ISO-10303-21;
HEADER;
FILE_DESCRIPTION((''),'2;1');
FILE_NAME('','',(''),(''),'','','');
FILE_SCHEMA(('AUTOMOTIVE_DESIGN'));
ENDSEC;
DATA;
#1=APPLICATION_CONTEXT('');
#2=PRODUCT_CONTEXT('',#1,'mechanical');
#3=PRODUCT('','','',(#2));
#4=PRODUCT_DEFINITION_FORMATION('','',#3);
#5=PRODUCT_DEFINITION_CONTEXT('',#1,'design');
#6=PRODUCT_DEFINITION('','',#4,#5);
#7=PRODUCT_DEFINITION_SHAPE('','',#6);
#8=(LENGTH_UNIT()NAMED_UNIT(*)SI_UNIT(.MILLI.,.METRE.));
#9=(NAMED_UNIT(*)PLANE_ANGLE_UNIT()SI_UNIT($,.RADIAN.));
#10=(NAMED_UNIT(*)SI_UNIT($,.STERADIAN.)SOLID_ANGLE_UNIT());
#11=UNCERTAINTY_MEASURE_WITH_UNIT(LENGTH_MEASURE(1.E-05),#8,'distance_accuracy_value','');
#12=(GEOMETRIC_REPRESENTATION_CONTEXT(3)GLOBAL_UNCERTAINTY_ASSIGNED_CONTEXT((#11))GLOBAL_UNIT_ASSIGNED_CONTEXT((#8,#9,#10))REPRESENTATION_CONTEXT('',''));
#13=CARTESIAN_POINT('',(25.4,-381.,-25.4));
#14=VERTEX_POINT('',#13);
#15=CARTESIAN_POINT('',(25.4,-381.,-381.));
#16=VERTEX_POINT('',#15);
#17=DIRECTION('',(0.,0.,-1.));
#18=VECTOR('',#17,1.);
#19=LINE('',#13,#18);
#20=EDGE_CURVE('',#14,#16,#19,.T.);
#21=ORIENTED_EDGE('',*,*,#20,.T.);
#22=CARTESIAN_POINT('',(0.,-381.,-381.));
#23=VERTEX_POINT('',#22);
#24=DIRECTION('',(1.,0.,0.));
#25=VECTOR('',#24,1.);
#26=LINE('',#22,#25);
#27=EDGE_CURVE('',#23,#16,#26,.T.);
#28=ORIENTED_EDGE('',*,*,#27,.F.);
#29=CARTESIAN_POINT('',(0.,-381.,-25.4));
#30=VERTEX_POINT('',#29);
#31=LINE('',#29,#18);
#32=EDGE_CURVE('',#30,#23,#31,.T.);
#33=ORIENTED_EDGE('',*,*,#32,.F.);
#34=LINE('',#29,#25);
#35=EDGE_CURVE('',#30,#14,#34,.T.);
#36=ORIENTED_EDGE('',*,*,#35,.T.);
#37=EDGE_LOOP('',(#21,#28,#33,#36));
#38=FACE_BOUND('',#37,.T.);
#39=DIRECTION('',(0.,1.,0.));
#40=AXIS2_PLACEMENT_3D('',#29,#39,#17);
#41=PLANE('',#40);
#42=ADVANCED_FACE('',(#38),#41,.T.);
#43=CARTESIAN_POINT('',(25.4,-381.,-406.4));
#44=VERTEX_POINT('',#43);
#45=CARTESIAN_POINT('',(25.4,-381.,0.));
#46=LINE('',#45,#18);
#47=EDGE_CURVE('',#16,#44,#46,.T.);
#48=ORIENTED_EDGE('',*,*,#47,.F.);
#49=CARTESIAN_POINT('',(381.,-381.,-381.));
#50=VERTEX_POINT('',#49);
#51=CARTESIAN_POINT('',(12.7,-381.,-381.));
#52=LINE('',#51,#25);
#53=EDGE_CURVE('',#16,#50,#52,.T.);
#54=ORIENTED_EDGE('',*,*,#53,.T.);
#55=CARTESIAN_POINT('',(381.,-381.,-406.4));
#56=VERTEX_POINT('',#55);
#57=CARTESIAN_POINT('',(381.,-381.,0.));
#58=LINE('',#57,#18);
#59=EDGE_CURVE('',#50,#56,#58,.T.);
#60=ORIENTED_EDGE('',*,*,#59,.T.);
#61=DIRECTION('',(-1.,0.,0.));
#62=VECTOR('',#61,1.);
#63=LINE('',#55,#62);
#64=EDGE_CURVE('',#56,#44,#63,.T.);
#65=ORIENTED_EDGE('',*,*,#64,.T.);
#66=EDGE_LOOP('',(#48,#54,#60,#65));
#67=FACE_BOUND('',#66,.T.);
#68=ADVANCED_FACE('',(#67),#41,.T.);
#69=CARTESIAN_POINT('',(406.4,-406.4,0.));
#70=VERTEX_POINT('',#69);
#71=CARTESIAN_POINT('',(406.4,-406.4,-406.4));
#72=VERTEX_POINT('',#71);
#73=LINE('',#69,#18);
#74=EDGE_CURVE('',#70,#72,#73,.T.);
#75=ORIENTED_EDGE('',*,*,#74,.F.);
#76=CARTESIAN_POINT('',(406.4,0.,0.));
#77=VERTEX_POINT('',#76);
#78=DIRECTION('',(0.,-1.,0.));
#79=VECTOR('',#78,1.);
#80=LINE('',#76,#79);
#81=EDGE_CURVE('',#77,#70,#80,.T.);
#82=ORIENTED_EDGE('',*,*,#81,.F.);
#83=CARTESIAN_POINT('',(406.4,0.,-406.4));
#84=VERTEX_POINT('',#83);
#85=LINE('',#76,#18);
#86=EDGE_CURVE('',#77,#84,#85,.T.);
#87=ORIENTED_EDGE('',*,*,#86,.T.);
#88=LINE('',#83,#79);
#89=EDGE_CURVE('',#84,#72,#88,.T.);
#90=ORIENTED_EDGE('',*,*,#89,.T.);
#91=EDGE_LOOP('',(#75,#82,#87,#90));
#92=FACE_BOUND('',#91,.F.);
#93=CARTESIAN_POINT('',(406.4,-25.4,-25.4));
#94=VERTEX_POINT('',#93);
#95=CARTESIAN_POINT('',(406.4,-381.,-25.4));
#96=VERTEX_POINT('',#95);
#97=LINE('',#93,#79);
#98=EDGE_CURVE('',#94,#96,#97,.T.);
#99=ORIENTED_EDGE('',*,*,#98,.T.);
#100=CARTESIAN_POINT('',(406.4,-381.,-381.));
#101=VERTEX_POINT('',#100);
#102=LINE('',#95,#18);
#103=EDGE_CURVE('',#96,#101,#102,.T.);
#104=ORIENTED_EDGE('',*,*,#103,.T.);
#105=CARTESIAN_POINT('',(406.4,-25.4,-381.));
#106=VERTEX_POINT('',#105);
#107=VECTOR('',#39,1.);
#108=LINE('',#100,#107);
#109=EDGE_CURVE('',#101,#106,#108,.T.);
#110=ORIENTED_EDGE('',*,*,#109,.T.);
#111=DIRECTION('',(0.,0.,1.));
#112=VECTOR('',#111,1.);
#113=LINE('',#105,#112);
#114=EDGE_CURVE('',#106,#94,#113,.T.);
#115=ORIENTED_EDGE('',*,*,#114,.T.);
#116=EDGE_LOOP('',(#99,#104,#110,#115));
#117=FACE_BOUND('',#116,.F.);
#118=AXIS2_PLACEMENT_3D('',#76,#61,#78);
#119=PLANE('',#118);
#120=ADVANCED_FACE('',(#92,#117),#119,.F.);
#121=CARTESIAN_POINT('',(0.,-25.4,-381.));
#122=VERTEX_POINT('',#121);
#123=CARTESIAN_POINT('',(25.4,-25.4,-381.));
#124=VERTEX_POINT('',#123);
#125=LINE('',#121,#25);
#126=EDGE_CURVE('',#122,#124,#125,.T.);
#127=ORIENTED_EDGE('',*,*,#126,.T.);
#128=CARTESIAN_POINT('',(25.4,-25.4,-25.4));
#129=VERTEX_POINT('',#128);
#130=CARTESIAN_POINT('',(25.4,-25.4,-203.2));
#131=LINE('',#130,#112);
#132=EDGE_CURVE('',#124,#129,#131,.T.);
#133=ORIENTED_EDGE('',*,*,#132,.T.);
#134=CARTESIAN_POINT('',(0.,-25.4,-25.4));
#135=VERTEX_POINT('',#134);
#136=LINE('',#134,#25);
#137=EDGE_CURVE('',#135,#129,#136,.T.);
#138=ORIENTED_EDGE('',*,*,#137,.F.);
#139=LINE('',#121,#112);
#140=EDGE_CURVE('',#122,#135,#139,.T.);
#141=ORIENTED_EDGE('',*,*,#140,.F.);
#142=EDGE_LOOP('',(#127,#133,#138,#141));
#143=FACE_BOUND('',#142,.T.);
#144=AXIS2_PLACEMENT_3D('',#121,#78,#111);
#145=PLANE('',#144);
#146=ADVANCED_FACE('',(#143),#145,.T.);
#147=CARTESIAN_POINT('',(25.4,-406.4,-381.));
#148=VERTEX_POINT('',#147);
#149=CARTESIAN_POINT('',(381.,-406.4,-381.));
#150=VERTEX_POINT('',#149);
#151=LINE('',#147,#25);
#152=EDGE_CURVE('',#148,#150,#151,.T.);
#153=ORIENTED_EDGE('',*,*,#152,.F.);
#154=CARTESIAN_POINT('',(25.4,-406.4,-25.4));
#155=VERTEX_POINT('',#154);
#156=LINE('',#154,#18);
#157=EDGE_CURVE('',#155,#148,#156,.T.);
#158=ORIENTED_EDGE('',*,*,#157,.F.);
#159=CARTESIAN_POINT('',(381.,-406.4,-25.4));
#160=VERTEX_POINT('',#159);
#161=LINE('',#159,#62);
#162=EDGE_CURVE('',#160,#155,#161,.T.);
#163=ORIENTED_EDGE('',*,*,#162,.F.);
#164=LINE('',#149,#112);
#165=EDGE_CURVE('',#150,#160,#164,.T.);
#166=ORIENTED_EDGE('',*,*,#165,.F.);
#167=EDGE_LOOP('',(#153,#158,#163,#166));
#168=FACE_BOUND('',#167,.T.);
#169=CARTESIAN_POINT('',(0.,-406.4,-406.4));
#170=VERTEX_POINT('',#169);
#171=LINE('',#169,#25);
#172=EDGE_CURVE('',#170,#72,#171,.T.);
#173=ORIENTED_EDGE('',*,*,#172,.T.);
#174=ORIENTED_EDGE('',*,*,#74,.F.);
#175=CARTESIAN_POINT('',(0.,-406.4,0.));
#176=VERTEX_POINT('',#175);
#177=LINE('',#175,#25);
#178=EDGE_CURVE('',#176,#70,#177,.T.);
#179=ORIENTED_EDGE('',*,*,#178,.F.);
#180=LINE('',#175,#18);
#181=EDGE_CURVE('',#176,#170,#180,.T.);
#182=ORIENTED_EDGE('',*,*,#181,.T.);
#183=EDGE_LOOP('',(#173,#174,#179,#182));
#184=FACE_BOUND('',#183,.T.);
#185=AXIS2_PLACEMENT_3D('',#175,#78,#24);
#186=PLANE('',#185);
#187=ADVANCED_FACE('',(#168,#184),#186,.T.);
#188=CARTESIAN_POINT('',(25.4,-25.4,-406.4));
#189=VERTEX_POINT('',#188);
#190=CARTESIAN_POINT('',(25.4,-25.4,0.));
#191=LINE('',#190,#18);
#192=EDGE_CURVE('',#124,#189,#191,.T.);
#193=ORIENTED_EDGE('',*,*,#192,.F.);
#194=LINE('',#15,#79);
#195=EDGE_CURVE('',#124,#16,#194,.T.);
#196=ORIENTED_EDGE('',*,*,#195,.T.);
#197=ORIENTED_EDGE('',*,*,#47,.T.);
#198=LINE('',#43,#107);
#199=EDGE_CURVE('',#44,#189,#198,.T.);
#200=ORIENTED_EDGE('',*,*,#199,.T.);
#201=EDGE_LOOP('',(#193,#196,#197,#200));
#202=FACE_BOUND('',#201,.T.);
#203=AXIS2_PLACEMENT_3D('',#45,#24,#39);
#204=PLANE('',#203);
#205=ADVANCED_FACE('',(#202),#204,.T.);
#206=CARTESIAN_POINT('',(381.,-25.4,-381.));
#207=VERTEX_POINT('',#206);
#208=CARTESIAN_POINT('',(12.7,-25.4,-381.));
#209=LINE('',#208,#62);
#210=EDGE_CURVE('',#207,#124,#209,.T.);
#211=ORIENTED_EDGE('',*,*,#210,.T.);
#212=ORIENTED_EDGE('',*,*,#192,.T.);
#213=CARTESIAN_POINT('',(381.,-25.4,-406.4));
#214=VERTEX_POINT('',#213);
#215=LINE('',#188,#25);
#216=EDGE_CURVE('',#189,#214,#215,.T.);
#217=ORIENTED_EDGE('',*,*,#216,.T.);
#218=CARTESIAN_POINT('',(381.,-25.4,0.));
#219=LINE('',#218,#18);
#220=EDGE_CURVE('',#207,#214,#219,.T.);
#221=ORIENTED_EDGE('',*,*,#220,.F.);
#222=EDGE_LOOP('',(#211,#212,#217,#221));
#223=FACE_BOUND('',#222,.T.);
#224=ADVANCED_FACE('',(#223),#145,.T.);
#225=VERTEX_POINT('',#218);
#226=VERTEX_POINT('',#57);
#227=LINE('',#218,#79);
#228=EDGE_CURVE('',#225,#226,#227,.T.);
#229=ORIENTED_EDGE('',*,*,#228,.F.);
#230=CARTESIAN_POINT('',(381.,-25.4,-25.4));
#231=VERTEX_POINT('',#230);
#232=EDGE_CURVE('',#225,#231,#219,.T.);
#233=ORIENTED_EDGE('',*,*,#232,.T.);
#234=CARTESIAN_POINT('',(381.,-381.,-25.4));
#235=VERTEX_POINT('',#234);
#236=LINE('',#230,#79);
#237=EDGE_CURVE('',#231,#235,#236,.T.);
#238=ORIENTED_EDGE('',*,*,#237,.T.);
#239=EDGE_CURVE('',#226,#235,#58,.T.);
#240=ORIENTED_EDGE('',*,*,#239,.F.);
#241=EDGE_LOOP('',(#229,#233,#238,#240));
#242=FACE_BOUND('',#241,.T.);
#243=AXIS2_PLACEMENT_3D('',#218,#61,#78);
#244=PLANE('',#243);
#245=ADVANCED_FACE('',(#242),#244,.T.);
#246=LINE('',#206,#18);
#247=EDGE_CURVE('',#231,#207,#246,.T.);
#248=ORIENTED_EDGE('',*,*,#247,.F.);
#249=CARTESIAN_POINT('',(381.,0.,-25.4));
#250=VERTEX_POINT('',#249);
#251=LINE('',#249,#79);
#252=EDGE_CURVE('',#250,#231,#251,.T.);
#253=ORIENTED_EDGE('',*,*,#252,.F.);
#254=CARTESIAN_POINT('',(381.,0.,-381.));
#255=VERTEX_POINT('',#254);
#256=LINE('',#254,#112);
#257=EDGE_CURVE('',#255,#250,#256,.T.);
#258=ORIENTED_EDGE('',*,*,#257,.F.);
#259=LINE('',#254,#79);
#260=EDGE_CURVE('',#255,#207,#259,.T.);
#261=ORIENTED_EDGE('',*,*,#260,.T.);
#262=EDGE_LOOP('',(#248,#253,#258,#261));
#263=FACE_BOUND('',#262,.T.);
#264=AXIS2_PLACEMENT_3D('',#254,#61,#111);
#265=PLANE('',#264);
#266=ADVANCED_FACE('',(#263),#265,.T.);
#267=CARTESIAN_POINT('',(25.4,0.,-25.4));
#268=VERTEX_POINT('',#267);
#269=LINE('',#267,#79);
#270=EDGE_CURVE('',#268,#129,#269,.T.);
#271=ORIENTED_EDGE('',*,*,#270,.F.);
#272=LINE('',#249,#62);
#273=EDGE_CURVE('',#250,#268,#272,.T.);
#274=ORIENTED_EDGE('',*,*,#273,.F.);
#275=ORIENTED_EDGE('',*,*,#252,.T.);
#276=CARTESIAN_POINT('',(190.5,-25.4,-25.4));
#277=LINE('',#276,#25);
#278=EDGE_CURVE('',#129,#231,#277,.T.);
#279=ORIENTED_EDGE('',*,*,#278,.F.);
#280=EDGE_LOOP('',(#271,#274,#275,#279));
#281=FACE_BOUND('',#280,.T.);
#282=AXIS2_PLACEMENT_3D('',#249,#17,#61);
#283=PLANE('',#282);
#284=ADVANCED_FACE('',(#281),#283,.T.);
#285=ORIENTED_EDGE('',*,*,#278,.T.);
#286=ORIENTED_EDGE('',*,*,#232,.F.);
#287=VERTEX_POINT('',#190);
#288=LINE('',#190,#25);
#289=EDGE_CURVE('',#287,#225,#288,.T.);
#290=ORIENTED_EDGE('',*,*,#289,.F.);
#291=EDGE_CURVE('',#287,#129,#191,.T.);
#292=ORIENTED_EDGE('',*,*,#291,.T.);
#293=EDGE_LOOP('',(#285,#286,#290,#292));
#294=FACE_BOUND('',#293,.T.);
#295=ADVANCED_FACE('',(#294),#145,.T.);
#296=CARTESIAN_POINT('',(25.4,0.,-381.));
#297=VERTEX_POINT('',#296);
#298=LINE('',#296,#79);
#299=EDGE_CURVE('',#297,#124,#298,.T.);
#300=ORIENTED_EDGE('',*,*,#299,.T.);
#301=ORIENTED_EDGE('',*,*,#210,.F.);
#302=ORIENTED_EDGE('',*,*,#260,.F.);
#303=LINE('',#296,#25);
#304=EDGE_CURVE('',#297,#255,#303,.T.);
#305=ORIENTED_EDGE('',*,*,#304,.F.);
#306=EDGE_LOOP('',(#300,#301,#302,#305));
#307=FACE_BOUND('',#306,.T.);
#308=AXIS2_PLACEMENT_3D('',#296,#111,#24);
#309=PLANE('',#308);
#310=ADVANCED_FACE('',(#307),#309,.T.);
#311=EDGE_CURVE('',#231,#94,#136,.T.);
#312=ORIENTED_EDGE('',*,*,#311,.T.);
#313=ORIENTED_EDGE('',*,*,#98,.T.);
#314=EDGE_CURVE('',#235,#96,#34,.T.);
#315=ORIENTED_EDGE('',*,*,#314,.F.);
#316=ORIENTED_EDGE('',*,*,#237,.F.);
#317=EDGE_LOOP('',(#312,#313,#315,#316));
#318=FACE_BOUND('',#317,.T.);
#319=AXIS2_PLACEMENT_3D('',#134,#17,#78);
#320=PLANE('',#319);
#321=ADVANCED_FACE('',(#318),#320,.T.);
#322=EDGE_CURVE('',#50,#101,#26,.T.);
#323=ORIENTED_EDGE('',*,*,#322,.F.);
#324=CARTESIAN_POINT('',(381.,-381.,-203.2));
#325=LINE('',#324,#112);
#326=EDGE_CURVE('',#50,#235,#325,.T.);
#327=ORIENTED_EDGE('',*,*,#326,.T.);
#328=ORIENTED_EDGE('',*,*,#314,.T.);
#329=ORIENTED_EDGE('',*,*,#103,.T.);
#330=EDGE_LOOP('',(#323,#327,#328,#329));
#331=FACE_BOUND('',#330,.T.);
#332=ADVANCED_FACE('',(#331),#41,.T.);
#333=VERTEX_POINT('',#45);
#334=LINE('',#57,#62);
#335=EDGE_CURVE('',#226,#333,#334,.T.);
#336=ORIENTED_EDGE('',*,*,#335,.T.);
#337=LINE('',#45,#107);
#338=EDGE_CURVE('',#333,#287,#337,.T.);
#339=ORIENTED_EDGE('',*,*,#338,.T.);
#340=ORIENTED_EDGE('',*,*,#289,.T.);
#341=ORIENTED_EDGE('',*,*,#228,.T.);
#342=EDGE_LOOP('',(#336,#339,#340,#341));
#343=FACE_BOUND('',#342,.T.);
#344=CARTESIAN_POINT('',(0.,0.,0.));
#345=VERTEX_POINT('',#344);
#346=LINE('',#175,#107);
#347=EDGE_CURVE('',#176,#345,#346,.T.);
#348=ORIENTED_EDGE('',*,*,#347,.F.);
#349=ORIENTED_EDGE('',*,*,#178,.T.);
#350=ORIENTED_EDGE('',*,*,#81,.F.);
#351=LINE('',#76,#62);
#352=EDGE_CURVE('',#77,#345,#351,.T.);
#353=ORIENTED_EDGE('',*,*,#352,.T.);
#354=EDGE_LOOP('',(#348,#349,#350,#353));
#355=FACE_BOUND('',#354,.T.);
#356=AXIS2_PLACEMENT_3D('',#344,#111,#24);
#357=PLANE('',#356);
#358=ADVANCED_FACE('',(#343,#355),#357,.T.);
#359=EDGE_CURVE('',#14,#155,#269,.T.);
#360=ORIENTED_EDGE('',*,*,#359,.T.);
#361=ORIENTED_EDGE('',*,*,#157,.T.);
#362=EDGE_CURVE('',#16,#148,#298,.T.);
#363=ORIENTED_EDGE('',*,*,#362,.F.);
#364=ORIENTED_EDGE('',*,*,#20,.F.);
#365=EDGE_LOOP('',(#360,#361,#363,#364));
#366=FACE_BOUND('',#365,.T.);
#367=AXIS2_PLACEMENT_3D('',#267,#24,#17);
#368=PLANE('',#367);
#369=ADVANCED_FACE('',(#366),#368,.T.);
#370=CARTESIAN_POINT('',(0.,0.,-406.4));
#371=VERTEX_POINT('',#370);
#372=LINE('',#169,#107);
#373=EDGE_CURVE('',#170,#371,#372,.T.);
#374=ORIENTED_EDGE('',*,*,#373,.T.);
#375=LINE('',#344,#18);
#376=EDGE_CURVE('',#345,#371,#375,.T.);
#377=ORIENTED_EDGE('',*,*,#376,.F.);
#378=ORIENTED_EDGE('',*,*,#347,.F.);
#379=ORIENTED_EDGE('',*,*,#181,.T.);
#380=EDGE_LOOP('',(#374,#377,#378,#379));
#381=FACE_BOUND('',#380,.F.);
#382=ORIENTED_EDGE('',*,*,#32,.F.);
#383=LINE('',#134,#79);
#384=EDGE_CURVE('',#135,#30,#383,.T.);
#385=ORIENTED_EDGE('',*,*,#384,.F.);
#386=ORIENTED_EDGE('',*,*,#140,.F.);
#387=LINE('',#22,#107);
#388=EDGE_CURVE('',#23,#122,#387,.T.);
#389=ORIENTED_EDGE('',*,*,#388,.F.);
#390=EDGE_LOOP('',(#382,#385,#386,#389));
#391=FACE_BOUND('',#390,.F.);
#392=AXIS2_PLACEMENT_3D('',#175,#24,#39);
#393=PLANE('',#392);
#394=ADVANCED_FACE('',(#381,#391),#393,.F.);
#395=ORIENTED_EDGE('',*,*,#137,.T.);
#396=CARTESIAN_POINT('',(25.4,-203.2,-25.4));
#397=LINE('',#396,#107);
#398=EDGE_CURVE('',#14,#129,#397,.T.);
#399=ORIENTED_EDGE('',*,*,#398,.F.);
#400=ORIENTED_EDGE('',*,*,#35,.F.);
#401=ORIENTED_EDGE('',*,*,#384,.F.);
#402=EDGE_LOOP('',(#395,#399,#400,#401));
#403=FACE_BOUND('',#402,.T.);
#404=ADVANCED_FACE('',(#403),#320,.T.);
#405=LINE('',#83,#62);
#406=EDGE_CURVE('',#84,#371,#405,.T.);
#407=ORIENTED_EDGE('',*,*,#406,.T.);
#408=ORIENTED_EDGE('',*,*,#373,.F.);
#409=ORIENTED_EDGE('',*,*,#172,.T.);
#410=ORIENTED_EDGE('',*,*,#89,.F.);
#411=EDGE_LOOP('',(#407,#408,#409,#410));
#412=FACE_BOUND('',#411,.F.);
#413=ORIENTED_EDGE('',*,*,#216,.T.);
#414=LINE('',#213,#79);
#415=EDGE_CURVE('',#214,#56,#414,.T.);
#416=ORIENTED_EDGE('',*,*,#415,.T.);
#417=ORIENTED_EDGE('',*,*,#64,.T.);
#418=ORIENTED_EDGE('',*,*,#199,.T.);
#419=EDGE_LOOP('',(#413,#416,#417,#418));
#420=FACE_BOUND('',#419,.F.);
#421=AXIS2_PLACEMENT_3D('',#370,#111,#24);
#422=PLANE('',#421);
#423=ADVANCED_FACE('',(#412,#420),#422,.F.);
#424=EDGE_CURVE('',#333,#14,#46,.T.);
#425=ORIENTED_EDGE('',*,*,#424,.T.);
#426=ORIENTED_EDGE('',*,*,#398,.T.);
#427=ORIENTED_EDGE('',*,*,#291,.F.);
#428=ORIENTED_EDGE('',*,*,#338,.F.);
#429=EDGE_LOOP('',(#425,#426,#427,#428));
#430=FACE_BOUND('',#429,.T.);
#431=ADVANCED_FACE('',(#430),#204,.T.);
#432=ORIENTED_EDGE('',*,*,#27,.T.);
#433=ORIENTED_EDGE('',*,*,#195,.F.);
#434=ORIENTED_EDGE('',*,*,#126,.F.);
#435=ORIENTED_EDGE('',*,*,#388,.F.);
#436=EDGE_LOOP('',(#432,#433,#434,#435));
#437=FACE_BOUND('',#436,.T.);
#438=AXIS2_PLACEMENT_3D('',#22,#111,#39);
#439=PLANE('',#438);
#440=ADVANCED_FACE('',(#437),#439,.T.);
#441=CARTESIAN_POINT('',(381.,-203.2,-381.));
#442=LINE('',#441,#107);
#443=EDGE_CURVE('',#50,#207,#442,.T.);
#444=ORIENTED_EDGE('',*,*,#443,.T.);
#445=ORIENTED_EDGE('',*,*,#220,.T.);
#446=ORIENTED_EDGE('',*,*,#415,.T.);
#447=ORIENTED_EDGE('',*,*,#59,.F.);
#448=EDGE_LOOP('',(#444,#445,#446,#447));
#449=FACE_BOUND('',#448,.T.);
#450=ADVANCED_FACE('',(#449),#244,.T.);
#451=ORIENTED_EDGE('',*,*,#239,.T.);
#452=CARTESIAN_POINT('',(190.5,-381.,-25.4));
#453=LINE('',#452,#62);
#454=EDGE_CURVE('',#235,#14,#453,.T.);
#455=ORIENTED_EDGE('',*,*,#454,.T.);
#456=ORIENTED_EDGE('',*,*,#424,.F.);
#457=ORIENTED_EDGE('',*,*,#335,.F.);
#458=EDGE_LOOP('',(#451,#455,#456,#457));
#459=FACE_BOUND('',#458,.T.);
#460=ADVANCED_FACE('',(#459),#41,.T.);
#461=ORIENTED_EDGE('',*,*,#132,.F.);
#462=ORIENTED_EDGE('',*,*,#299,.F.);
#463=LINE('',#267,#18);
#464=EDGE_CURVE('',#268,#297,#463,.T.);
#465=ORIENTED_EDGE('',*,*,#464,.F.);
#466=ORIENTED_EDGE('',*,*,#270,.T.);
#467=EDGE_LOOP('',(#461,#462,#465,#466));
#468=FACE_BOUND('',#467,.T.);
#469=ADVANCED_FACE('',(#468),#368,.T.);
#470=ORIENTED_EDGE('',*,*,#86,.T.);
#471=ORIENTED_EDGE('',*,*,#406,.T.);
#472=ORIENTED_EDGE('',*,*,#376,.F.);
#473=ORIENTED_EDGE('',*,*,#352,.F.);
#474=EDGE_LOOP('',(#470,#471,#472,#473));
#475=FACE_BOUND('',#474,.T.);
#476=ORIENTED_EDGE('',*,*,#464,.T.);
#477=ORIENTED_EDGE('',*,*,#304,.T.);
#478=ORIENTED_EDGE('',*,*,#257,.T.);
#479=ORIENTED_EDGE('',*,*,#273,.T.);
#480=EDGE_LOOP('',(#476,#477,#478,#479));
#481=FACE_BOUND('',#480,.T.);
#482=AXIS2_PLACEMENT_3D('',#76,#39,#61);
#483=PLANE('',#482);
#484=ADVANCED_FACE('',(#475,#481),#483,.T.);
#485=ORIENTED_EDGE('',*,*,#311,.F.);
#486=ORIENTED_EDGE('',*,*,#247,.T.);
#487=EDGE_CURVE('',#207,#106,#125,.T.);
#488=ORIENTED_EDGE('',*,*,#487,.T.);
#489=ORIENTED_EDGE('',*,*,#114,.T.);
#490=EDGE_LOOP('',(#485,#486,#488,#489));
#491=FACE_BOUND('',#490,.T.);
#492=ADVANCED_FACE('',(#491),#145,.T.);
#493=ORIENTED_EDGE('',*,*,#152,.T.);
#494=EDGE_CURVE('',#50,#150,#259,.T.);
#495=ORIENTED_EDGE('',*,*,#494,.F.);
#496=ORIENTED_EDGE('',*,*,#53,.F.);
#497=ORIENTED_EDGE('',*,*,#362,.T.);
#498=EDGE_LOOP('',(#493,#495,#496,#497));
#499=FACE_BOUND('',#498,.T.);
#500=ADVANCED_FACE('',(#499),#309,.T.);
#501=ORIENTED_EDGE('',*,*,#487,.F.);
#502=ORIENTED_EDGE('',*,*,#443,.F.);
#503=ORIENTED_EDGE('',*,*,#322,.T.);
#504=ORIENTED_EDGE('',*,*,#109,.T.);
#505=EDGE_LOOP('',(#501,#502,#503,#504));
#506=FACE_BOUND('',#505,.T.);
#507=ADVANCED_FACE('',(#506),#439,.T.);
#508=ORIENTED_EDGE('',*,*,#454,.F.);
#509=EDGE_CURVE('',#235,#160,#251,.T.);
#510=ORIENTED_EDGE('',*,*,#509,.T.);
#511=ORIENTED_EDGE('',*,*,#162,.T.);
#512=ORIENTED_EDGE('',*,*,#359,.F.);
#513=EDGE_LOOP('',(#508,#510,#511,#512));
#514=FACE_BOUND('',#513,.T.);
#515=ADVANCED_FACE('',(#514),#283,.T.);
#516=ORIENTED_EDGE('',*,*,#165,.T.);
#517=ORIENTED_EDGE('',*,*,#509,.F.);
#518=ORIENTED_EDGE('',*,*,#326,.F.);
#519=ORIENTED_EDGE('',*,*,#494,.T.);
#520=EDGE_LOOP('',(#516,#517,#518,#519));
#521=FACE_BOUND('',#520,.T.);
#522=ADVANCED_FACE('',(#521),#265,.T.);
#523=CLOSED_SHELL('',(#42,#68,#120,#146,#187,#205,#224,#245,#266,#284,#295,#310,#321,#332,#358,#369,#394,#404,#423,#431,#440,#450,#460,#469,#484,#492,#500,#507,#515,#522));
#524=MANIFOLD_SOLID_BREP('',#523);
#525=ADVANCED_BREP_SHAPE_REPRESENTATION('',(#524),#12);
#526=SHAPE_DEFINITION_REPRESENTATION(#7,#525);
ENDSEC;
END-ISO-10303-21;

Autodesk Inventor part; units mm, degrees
ref_plane "YZ Plane" through (0, 0, 0) normal (1, 0, 0) x (0, 1, 0)
ref_plane "XZ Plane" through (0, 0, 0) normal (0, 1, 0) x (-1, 0, 0)
ref_plane "XY Plane" through (0, 0, 0) normal (0, 0, 1) x (1, 0, 0)
sketch "Sketch3" plane through (0, 0, 0) normal (0, 0, 1) x (1, 0, 0)
  line L0 (0, 0) -> (812.8, 0) construction
  line L1 (812.8, 0) -> (812.8, -406.4) construction
  line L2 (812.8, -406.4) -> (0, -406.4) construction
  line L3 (0, -406.4) -> (0, 0) construction
  line L4 (406.4, 0) -> (0, 0)
  line L5 (0, -406.4) -> (0, 0)
  line L6 (0, -406.4) -> (406.4, -406.4)
  line L7 (406.4, 0) -> (406.4, -406.4)
  dimension "d88" = 812.8
extrude "Extrusion2" add sketch "Sketch3" against normal blind 406.4
sketch "Sketch4" plane through (0, 0, 0) normal (0, 0, 1) x (1, 0, 0)
  line L0 (0, 0) -> (406.4, 0) projected
  line L1 (0, 0) -> (812.8, 0) construction
  line L2 (812.8, 0) -> (812.8, -406.4) construction
  line L3 (812.8, -406.4) -> (0, -406.4) construction
  line L4 (0, -406.4) -> (0, 0) construction
  line L5 (0, 0) -> (25.4, 0)
  line L6 (25.4, 0) -> (25.4, -25.4)
  line L7 (25.4, -25.4) -> (0, -25.4)
  line L8 (0, -25.4) -> (0, 0)
  line L9 (25.4, -25.4) -> (381, -25.4)
  line L10 (381, -25.4) -> (381, -381)
  line L11 (381, -381) -> (25.4, -381)
  line L12 (25.4, -381) -> (25.4, -25.4)
  dimension "d95" = 812.8
  dimension "d102" = 25.4
  dimension "d103" = 25.4
  dimension "d104" = 355.6
  dimension "d105" = 355.6
extrude "Extrusion3" cut sketch "Sketch4" against normal blind 406.4 contours L9 L10 L11 L12
sketch "Sketch5" plane through (0, -406.4, 0) normal (-1, 0, 0) x (0, 0, 1)
  line L0 (0, 406.4) -> (-406.4, 406.4) projected
  line L1 (-406.4, 406.4) -> (-381, 406.4)
  line L2 (-381, 406.4) -> (-381, 381)
  line L3 (-381, 381) -> (-406.4, 381)
  line L4 (-406.4, 381) -> (-406.4, 406.4)
  line L5 (-381, 381) -> (-25.4, 381)
  line L6 (-25.4, 381) -> (-25.4, 25.4)
  line L7 (-25.4, 25.4) -> (-381, 25.4)
  line L8 (-381, 25.4) -> (-381, 381)
  dimension "d108" = 25.4
  dimension "d109" = 25.4
  dimension "d110" = 355.6
  dimension "d111" = 355.6
extrude "Extrusion4" cut sketch "Sketch5" against normal blind 406.4 contours L5 L6 L7 L8
sketch "Sketch6" plane through (0, 0, 0) normal (0, 1, 0) x (1, 0, 0)
  line L0 (0, 406.4) -> (406.4, 406.4) projected
  line L1 (0, 406.4) -> (25.4, 406.4)
  line L2 (25.4, 406.4) -> (25.4, 381)
  line L3 (25.4, 381) -> (0, 381)
  line L4 (0, 381) -> (0, 406.4)
  line L5 (25.4, 381) -> (381, 381)
  line L6 (381, 381) -> (381, 25.4)
  line L7 (381, 25.4) -> (25.4, 25.4)
  line L8 (25.4, 25.4) -> (25.4, 381)
  point P0 (0, 0)
  dimension "d114" = 25.4
  dimension "d115" = 25.4
  dimension "d116" = 355.6
  dimension "d117" = 355.6
extrude "Extrusion5" cut sketch "Sketch6" against normal blind 406.4 contours L5 L6 L7 L8
properties part number "JukeBox Metal Frame"
